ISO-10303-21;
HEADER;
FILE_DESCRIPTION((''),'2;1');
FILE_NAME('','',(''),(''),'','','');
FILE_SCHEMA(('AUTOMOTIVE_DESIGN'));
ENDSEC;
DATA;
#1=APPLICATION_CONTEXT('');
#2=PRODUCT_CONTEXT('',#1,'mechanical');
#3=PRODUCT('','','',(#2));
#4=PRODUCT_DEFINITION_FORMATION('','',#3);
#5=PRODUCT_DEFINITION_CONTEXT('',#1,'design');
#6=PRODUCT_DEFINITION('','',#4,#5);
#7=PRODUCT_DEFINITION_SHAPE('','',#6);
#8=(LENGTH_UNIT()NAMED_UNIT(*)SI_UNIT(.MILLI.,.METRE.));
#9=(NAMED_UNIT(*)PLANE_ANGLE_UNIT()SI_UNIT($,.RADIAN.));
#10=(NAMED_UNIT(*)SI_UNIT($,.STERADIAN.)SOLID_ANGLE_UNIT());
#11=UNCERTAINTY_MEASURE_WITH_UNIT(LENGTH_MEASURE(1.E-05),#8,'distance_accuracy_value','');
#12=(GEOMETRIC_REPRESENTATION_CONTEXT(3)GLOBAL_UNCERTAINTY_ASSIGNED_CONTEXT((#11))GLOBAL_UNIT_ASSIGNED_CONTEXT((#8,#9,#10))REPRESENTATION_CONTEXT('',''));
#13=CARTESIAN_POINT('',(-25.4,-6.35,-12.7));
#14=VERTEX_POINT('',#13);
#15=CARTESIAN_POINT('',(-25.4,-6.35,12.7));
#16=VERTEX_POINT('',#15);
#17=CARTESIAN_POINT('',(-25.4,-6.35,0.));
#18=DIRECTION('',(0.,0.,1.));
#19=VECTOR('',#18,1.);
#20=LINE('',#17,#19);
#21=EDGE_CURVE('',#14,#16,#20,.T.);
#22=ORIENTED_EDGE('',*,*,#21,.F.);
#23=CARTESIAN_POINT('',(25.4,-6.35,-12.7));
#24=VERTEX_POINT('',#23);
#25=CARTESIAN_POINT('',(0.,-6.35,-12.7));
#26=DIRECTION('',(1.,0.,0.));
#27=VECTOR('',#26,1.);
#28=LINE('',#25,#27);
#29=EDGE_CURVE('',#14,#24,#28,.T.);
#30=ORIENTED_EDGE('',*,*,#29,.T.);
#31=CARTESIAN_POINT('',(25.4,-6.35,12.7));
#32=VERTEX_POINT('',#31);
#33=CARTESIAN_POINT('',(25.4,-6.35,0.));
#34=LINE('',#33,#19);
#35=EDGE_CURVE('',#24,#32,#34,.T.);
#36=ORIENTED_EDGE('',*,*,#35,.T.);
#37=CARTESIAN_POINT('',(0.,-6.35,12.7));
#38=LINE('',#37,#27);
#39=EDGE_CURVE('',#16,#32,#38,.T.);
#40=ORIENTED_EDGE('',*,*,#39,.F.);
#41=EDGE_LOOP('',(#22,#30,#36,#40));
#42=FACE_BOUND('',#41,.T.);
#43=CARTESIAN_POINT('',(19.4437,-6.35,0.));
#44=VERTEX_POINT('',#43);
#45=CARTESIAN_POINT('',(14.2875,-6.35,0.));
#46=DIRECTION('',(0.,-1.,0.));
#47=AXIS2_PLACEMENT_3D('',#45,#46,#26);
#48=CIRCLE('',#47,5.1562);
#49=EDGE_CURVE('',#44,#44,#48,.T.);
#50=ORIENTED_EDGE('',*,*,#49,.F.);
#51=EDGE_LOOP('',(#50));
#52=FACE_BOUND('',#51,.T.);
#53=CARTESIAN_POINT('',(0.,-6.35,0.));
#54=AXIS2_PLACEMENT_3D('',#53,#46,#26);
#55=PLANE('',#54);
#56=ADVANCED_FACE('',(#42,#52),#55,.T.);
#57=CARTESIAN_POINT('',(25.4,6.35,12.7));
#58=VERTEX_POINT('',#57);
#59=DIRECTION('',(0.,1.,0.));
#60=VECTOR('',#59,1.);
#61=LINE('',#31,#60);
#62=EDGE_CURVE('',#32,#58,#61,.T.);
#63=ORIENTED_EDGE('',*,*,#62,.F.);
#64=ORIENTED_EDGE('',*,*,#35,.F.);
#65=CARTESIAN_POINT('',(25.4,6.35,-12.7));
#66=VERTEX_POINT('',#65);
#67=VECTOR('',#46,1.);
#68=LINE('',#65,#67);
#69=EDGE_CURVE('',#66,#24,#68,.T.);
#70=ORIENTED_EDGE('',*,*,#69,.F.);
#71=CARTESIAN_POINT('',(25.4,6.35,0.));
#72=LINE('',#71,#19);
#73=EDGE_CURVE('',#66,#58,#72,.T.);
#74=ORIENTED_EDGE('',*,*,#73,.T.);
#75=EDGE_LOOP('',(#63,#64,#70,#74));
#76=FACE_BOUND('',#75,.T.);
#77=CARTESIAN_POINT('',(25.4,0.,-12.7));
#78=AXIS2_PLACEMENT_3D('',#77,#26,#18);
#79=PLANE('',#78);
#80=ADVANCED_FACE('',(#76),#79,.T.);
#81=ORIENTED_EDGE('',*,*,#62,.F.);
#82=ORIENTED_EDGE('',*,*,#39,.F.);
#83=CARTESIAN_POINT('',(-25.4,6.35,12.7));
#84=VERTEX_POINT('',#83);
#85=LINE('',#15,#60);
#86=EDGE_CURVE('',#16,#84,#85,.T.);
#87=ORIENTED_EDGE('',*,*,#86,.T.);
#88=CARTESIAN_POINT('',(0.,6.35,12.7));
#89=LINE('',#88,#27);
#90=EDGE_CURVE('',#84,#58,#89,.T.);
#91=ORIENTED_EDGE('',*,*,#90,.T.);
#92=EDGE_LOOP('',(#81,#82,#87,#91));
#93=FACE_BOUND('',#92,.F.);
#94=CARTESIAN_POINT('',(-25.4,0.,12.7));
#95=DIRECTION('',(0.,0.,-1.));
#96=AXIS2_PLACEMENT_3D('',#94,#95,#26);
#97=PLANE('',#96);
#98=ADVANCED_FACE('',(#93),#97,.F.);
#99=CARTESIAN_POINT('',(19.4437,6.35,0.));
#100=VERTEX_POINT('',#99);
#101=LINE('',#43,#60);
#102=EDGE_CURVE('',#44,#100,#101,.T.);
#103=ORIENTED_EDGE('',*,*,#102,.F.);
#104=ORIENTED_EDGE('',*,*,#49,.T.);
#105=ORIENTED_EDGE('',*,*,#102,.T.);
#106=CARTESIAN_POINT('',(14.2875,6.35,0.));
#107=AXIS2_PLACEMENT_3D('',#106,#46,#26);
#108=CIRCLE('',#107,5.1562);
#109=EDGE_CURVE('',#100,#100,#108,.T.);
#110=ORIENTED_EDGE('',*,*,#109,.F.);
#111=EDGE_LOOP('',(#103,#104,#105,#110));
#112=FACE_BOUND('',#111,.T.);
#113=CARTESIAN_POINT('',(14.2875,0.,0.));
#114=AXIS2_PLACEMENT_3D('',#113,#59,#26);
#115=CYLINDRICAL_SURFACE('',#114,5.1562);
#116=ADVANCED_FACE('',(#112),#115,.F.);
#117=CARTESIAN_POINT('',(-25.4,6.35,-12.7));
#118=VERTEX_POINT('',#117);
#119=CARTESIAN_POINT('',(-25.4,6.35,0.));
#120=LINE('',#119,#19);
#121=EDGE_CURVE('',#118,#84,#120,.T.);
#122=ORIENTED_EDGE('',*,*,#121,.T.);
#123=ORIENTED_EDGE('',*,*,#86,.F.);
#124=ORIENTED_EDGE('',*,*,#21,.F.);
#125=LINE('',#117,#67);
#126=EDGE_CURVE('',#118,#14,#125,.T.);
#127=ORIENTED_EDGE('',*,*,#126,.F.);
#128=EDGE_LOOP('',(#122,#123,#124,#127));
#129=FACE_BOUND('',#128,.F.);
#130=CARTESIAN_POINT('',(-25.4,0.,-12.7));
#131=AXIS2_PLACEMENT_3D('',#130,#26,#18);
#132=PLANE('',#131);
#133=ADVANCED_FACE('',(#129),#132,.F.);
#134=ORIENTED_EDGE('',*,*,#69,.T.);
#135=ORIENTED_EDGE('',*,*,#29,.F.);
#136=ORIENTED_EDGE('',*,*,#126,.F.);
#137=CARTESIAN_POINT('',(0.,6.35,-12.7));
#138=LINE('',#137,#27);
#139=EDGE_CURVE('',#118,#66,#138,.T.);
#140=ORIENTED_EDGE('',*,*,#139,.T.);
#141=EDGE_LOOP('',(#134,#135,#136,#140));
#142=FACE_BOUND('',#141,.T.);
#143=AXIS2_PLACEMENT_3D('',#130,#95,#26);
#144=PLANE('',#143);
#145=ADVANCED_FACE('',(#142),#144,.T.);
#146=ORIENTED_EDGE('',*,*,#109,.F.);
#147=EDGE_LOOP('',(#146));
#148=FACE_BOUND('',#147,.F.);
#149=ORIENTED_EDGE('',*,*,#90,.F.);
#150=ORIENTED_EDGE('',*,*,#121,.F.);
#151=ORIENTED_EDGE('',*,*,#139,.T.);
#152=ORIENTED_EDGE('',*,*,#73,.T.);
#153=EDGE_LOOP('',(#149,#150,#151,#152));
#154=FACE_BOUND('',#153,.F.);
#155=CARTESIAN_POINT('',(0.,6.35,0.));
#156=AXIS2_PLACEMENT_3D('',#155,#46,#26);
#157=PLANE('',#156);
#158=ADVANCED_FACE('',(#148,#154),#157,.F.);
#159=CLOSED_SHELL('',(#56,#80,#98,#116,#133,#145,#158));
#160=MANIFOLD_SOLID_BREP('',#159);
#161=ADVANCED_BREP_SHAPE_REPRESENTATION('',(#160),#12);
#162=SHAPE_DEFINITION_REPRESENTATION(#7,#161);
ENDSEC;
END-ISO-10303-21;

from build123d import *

# Parameters (mm, degrees)
F0_W     = 50.8
F0_H     = 25.4
F0_R     = 5.1562
F1_DEPTH = 6.35


with BuildPart() as f1:
    # F0 (on Front) → F1 (new body, symmetric)
    with BuildSketch(Plane.XZ):
        Rectangle(F0_W, F0_H)
        with Locations((14.2875, 0)):
            Circle(F0_R, mode=Mode.SUBTRACT)
    extrude(amount=F1_DEPTH, both=True)


solid = f1.part
